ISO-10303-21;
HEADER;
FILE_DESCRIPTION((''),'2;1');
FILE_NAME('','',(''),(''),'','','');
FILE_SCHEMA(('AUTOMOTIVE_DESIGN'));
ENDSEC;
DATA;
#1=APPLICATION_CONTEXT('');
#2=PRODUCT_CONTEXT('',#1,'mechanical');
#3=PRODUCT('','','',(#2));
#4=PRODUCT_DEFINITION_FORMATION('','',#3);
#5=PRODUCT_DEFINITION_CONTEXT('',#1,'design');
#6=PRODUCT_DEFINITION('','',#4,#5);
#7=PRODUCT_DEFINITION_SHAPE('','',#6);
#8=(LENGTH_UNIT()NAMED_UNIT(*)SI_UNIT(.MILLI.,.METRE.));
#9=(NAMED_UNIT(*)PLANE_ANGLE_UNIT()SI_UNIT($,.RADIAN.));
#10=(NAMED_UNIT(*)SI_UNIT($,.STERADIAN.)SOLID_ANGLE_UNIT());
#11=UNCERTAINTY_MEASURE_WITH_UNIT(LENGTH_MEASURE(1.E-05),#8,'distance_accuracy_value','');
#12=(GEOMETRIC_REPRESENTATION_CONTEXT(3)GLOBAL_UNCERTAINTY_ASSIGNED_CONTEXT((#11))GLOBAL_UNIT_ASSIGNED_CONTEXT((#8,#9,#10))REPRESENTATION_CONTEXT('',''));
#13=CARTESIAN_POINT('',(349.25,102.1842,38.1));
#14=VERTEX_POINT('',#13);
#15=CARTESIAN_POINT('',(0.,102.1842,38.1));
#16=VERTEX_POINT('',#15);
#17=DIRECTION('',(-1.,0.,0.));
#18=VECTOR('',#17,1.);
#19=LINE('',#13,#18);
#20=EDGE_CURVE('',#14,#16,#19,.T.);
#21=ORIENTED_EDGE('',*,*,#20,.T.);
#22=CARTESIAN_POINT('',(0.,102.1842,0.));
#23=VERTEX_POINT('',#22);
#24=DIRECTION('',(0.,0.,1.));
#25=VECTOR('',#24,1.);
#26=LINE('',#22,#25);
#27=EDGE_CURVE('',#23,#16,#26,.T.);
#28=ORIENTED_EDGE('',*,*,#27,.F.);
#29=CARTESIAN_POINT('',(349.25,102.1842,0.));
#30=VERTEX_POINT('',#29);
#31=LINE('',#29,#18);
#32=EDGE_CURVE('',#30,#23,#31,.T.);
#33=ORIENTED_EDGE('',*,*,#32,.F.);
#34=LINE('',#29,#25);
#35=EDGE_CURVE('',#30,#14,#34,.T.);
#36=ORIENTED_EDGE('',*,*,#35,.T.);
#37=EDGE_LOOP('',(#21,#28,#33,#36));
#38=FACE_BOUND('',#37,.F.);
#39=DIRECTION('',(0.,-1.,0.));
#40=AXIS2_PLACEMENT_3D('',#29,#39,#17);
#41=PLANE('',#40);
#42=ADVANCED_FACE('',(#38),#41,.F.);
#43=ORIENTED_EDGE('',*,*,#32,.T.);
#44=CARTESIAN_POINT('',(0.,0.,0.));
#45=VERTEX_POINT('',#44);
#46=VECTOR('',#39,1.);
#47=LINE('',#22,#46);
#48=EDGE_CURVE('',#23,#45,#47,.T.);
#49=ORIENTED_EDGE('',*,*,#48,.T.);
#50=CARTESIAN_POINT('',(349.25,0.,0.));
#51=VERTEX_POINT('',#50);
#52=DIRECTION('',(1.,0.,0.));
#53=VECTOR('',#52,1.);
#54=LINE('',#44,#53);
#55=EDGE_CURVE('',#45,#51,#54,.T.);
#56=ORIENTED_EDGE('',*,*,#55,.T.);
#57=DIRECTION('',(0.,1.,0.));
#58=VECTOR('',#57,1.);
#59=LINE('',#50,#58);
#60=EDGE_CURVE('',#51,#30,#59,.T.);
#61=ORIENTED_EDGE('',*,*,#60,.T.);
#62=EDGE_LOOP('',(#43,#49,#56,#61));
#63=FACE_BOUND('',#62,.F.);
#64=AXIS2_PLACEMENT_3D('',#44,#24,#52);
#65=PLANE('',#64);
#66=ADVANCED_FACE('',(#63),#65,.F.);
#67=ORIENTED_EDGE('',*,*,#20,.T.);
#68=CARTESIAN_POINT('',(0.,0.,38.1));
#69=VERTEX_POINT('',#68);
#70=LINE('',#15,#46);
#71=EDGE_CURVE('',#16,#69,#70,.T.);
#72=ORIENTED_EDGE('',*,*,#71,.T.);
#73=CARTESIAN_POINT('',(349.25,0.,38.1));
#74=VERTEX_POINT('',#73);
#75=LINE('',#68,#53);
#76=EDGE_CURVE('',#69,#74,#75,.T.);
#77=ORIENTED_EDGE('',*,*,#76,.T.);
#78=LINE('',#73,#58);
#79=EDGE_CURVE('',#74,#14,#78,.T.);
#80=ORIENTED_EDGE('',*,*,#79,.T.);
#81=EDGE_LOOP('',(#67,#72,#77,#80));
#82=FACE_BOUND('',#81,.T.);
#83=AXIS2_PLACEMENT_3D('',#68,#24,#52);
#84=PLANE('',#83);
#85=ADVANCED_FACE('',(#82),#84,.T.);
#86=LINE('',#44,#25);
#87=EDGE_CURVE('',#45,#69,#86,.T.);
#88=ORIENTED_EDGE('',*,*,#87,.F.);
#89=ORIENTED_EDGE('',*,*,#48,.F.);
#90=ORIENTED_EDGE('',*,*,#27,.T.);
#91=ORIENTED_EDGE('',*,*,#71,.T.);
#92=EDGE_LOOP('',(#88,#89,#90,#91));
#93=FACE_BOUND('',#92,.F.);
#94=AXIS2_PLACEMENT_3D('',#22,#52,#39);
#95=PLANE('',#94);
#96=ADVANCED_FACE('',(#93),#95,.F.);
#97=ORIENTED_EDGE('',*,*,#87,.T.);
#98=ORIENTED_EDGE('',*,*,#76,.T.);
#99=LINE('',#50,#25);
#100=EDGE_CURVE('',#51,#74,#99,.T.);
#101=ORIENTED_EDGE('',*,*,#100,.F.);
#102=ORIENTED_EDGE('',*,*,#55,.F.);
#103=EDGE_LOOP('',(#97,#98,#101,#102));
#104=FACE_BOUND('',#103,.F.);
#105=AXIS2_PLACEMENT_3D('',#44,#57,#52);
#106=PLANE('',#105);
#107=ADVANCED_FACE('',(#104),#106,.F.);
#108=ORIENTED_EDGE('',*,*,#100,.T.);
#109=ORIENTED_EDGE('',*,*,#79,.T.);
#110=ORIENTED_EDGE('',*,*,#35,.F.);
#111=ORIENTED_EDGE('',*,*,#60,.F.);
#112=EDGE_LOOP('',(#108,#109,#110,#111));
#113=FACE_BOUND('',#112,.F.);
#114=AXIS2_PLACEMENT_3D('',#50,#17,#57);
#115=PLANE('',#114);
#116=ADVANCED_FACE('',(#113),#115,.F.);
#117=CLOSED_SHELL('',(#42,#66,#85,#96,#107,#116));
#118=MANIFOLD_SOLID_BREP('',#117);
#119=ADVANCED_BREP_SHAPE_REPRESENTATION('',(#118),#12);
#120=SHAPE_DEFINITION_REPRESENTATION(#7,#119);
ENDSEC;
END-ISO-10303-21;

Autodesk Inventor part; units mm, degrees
ref_plane "YZ Plane" through (0, 0, 0) normal (1, 0, 0) x (0, 1, 0)
ref_plane "XZ Plane" through (0, 0, 0) normal (0, 1, 0) x (-1, 0, 0)
ref_plane "XY Plane" through (0, 0, 0) normal (0, 0, 1) x (1, 0, 0)
sketch "Sketch1" plane through (0, 0, 0) normal (0, 0, 1) x (1, 0, 0)
  line L0 (0, 0) -> (349.25, 0)
  line L1 (349.25, 0) -> (349.25, 102.1842)
  line L2 (349.25, 102.1842) -> (0, 102.1842)
  line L3 (0, 102.1842) -> (0, 0)
  dimension "d2" = 102.1842
  dimension "d3" = 349.25
extrude "Extrusion1" add sketch "Sketch1" along normal blind 38.1
properties part number "Block" material "Wood (Birch)"
